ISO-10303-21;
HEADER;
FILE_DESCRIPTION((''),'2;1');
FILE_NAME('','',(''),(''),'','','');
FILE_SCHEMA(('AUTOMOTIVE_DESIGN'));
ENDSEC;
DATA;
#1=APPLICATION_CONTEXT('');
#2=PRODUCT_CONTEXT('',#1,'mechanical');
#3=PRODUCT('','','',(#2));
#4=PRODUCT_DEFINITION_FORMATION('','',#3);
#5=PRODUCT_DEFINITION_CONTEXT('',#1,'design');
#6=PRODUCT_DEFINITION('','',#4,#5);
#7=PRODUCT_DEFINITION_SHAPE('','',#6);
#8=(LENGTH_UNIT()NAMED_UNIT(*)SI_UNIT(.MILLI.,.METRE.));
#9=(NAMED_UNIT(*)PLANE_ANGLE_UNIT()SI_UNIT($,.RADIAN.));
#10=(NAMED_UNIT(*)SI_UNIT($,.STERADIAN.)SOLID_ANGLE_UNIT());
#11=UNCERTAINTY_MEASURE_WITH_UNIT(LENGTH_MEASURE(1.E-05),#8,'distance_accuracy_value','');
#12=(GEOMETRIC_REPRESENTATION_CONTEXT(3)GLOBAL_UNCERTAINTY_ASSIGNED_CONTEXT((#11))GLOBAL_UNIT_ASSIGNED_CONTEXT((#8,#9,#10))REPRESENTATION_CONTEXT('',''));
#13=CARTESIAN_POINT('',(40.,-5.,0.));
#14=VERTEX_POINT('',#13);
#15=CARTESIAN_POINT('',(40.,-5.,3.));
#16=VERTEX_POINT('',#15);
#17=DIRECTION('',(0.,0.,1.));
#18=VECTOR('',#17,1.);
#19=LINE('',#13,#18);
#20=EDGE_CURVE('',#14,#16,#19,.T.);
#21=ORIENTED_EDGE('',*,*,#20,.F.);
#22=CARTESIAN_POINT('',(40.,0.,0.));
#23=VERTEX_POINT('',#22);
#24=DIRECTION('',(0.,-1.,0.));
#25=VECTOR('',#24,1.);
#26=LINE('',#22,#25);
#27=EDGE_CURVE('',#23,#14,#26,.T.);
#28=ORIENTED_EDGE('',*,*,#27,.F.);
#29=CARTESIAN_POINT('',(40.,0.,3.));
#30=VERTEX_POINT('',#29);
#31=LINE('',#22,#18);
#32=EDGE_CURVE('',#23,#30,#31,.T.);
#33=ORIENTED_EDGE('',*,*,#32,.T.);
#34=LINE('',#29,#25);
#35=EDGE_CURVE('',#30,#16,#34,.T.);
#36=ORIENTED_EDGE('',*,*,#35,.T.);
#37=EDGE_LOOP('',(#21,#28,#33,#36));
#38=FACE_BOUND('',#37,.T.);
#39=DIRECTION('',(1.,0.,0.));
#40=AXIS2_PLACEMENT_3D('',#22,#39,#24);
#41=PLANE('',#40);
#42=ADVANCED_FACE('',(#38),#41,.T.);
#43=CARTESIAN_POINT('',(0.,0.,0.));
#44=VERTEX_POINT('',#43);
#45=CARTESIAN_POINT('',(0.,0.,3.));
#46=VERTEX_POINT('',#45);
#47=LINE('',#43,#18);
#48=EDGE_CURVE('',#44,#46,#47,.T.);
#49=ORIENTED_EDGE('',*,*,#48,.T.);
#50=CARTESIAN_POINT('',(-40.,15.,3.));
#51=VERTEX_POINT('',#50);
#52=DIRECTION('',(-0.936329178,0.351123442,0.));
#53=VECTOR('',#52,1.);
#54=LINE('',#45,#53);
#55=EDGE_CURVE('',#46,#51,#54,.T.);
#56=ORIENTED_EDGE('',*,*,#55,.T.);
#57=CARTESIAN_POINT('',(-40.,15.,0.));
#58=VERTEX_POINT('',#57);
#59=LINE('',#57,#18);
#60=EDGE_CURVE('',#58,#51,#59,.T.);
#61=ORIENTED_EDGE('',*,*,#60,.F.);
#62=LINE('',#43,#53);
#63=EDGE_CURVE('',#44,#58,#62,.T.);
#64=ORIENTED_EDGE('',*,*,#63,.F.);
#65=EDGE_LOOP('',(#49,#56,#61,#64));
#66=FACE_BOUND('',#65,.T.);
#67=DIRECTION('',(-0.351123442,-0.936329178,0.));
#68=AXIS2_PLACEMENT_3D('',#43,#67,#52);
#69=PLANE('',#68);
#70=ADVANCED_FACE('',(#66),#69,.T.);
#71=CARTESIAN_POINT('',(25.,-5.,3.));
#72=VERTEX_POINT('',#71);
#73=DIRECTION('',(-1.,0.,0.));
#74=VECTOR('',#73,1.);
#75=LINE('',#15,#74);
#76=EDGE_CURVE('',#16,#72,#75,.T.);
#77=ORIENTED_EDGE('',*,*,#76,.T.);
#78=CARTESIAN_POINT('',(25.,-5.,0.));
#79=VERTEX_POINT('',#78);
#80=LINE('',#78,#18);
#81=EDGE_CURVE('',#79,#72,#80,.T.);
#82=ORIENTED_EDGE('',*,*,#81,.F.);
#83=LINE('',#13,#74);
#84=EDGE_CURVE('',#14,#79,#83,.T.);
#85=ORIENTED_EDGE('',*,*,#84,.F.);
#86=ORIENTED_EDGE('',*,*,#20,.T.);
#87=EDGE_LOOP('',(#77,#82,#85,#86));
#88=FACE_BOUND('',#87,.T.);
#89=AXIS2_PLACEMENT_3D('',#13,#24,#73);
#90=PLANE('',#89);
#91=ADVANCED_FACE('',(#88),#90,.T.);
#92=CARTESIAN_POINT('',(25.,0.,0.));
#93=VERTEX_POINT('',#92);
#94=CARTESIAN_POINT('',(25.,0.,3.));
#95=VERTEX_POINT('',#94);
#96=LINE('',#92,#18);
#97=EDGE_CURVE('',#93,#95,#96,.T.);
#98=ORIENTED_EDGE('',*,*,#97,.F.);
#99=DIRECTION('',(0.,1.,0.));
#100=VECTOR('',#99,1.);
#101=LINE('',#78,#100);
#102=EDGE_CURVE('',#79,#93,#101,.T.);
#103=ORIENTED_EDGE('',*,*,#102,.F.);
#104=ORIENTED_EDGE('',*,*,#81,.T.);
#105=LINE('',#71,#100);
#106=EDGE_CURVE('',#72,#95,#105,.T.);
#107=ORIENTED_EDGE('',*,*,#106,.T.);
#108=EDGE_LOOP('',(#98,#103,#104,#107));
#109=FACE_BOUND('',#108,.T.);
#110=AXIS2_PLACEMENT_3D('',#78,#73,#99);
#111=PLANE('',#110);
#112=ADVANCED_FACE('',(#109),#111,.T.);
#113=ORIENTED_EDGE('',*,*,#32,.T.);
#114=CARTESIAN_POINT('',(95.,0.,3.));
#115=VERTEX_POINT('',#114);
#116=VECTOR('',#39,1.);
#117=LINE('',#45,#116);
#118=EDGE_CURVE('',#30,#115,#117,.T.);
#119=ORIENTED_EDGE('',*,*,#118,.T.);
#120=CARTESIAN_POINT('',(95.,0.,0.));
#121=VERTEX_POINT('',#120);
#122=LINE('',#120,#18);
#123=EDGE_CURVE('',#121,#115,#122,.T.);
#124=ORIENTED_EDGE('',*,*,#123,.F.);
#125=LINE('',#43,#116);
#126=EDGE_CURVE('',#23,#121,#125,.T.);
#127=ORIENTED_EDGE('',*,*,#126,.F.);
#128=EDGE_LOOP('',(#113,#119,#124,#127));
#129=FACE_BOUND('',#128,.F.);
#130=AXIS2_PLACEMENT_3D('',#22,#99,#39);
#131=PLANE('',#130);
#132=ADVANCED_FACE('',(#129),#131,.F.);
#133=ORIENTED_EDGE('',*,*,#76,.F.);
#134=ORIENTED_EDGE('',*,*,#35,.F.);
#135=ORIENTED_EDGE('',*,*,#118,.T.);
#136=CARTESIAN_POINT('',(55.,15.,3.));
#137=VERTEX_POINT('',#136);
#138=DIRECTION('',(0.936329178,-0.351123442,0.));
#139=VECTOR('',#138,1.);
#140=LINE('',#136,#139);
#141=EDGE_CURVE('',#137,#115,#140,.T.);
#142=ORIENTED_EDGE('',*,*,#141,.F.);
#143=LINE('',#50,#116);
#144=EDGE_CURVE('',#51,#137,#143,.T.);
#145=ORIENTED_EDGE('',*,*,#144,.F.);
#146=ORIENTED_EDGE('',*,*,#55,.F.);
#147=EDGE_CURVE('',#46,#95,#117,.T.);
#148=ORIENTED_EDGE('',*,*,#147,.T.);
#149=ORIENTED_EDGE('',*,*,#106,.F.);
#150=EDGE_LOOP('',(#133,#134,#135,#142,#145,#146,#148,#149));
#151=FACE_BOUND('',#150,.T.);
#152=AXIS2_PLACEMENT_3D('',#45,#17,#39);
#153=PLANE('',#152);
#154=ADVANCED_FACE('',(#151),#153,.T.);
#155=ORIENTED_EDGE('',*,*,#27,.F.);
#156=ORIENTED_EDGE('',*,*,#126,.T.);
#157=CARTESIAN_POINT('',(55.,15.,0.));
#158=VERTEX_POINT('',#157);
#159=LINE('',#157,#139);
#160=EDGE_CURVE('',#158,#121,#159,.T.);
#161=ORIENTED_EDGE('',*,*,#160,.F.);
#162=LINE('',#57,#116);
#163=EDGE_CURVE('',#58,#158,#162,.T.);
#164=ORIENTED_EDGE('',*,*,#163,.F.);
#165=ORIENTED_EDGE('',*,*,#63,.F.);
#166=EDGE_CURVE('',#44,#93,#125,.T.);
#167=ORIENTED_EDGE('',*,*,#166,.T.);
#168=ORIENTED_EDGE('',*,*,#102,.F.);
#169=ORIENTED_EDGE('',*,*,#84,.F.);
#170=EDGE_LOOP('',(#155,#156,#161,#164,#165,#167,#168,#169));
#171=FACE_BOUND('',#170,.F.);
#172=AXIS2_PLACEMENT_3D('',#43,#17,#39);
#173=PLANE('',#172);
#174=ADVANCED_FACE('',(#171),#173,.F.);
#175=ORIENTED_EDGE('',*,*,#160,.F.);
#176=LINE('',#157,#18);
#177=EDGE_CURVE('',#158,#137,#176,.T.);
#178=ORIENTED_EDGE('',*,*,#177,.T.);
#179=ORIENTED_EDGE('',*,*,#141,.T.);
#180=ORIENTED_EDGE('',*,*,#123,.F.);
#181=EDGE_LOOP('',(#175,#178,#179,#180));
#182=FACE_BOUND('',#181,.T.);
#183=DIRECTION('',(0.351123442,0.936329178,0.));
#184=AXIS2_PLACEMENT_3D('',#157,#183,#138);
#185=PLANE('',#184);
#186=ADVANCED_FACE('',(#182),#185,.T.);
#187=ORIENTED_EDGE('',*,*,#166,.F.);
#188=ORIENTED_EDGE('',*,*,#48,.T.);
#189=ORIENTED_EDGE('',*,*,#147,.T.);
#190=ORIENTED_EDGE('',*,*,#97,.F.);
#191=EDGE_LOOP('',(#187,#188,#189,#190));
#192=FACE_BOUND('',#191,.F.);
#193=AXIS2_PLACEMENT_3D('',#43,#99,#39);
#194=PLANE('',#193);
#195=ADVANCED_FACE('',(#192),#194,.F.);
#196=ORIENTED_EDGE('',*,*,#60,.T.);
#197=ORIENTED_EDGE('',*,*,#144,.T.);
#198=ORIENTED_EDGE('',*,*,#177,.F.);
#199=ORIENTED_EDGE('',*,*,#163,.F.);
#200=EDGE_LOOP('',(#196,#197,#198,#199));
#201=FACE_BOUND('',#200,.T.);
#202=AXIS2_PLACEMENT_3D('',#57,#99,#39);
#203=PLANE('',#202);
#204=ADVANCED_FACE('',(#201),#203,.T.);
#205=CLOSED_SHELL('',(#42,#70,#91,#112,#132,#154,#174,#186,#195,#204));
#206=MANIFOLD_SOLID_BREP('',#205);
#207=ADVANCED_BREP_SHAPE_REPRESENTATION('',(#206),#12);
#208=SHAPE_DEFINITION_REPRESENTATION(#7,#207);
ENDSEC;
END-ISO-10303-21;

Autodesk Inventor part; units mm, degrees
ref_plane "YZ Plane" through (0, 0, 0) normal (1, 0, 0) x (0, 1, 0)
ref_plane "XZ Plane" through (0, 0, 0) normal (0, 1, 0) x (-1, 0, 0)
ref_plane "XY Plane" through (0, 0, 0) normal (0, 0, 1) x (1, 0, 0)
sketch "Sketch1" plane through (0, 0, 0) normal (0, 0, 1) x (1, 0, 0)
  line L0 (0, 0) -> (95, 0)
  line L1 (25, 0) -> (40, 0)
  line L2 (40, 0) -> (40, -5)
  line L3 (40, -5) -> (25, -5)
  line L4 (25, -5) -> (25, 0)
  line L5 (0, 0) -> (-40, 15)
  line L6 (-40, 15) -> (55, 15)
  line L7 (55, 15) -> (95, 0)
  dimension "d0" = 95
  dimension "d6" = 15
  dimension "d7" = 5
  dimension "d8" = 25
  dimension "d21" = 15
  dimension "d22" = 40
extrude "Extrusion1" add sketch "Sketch1" along normal blind 3
properties part number "Hinge Siderail 2"
